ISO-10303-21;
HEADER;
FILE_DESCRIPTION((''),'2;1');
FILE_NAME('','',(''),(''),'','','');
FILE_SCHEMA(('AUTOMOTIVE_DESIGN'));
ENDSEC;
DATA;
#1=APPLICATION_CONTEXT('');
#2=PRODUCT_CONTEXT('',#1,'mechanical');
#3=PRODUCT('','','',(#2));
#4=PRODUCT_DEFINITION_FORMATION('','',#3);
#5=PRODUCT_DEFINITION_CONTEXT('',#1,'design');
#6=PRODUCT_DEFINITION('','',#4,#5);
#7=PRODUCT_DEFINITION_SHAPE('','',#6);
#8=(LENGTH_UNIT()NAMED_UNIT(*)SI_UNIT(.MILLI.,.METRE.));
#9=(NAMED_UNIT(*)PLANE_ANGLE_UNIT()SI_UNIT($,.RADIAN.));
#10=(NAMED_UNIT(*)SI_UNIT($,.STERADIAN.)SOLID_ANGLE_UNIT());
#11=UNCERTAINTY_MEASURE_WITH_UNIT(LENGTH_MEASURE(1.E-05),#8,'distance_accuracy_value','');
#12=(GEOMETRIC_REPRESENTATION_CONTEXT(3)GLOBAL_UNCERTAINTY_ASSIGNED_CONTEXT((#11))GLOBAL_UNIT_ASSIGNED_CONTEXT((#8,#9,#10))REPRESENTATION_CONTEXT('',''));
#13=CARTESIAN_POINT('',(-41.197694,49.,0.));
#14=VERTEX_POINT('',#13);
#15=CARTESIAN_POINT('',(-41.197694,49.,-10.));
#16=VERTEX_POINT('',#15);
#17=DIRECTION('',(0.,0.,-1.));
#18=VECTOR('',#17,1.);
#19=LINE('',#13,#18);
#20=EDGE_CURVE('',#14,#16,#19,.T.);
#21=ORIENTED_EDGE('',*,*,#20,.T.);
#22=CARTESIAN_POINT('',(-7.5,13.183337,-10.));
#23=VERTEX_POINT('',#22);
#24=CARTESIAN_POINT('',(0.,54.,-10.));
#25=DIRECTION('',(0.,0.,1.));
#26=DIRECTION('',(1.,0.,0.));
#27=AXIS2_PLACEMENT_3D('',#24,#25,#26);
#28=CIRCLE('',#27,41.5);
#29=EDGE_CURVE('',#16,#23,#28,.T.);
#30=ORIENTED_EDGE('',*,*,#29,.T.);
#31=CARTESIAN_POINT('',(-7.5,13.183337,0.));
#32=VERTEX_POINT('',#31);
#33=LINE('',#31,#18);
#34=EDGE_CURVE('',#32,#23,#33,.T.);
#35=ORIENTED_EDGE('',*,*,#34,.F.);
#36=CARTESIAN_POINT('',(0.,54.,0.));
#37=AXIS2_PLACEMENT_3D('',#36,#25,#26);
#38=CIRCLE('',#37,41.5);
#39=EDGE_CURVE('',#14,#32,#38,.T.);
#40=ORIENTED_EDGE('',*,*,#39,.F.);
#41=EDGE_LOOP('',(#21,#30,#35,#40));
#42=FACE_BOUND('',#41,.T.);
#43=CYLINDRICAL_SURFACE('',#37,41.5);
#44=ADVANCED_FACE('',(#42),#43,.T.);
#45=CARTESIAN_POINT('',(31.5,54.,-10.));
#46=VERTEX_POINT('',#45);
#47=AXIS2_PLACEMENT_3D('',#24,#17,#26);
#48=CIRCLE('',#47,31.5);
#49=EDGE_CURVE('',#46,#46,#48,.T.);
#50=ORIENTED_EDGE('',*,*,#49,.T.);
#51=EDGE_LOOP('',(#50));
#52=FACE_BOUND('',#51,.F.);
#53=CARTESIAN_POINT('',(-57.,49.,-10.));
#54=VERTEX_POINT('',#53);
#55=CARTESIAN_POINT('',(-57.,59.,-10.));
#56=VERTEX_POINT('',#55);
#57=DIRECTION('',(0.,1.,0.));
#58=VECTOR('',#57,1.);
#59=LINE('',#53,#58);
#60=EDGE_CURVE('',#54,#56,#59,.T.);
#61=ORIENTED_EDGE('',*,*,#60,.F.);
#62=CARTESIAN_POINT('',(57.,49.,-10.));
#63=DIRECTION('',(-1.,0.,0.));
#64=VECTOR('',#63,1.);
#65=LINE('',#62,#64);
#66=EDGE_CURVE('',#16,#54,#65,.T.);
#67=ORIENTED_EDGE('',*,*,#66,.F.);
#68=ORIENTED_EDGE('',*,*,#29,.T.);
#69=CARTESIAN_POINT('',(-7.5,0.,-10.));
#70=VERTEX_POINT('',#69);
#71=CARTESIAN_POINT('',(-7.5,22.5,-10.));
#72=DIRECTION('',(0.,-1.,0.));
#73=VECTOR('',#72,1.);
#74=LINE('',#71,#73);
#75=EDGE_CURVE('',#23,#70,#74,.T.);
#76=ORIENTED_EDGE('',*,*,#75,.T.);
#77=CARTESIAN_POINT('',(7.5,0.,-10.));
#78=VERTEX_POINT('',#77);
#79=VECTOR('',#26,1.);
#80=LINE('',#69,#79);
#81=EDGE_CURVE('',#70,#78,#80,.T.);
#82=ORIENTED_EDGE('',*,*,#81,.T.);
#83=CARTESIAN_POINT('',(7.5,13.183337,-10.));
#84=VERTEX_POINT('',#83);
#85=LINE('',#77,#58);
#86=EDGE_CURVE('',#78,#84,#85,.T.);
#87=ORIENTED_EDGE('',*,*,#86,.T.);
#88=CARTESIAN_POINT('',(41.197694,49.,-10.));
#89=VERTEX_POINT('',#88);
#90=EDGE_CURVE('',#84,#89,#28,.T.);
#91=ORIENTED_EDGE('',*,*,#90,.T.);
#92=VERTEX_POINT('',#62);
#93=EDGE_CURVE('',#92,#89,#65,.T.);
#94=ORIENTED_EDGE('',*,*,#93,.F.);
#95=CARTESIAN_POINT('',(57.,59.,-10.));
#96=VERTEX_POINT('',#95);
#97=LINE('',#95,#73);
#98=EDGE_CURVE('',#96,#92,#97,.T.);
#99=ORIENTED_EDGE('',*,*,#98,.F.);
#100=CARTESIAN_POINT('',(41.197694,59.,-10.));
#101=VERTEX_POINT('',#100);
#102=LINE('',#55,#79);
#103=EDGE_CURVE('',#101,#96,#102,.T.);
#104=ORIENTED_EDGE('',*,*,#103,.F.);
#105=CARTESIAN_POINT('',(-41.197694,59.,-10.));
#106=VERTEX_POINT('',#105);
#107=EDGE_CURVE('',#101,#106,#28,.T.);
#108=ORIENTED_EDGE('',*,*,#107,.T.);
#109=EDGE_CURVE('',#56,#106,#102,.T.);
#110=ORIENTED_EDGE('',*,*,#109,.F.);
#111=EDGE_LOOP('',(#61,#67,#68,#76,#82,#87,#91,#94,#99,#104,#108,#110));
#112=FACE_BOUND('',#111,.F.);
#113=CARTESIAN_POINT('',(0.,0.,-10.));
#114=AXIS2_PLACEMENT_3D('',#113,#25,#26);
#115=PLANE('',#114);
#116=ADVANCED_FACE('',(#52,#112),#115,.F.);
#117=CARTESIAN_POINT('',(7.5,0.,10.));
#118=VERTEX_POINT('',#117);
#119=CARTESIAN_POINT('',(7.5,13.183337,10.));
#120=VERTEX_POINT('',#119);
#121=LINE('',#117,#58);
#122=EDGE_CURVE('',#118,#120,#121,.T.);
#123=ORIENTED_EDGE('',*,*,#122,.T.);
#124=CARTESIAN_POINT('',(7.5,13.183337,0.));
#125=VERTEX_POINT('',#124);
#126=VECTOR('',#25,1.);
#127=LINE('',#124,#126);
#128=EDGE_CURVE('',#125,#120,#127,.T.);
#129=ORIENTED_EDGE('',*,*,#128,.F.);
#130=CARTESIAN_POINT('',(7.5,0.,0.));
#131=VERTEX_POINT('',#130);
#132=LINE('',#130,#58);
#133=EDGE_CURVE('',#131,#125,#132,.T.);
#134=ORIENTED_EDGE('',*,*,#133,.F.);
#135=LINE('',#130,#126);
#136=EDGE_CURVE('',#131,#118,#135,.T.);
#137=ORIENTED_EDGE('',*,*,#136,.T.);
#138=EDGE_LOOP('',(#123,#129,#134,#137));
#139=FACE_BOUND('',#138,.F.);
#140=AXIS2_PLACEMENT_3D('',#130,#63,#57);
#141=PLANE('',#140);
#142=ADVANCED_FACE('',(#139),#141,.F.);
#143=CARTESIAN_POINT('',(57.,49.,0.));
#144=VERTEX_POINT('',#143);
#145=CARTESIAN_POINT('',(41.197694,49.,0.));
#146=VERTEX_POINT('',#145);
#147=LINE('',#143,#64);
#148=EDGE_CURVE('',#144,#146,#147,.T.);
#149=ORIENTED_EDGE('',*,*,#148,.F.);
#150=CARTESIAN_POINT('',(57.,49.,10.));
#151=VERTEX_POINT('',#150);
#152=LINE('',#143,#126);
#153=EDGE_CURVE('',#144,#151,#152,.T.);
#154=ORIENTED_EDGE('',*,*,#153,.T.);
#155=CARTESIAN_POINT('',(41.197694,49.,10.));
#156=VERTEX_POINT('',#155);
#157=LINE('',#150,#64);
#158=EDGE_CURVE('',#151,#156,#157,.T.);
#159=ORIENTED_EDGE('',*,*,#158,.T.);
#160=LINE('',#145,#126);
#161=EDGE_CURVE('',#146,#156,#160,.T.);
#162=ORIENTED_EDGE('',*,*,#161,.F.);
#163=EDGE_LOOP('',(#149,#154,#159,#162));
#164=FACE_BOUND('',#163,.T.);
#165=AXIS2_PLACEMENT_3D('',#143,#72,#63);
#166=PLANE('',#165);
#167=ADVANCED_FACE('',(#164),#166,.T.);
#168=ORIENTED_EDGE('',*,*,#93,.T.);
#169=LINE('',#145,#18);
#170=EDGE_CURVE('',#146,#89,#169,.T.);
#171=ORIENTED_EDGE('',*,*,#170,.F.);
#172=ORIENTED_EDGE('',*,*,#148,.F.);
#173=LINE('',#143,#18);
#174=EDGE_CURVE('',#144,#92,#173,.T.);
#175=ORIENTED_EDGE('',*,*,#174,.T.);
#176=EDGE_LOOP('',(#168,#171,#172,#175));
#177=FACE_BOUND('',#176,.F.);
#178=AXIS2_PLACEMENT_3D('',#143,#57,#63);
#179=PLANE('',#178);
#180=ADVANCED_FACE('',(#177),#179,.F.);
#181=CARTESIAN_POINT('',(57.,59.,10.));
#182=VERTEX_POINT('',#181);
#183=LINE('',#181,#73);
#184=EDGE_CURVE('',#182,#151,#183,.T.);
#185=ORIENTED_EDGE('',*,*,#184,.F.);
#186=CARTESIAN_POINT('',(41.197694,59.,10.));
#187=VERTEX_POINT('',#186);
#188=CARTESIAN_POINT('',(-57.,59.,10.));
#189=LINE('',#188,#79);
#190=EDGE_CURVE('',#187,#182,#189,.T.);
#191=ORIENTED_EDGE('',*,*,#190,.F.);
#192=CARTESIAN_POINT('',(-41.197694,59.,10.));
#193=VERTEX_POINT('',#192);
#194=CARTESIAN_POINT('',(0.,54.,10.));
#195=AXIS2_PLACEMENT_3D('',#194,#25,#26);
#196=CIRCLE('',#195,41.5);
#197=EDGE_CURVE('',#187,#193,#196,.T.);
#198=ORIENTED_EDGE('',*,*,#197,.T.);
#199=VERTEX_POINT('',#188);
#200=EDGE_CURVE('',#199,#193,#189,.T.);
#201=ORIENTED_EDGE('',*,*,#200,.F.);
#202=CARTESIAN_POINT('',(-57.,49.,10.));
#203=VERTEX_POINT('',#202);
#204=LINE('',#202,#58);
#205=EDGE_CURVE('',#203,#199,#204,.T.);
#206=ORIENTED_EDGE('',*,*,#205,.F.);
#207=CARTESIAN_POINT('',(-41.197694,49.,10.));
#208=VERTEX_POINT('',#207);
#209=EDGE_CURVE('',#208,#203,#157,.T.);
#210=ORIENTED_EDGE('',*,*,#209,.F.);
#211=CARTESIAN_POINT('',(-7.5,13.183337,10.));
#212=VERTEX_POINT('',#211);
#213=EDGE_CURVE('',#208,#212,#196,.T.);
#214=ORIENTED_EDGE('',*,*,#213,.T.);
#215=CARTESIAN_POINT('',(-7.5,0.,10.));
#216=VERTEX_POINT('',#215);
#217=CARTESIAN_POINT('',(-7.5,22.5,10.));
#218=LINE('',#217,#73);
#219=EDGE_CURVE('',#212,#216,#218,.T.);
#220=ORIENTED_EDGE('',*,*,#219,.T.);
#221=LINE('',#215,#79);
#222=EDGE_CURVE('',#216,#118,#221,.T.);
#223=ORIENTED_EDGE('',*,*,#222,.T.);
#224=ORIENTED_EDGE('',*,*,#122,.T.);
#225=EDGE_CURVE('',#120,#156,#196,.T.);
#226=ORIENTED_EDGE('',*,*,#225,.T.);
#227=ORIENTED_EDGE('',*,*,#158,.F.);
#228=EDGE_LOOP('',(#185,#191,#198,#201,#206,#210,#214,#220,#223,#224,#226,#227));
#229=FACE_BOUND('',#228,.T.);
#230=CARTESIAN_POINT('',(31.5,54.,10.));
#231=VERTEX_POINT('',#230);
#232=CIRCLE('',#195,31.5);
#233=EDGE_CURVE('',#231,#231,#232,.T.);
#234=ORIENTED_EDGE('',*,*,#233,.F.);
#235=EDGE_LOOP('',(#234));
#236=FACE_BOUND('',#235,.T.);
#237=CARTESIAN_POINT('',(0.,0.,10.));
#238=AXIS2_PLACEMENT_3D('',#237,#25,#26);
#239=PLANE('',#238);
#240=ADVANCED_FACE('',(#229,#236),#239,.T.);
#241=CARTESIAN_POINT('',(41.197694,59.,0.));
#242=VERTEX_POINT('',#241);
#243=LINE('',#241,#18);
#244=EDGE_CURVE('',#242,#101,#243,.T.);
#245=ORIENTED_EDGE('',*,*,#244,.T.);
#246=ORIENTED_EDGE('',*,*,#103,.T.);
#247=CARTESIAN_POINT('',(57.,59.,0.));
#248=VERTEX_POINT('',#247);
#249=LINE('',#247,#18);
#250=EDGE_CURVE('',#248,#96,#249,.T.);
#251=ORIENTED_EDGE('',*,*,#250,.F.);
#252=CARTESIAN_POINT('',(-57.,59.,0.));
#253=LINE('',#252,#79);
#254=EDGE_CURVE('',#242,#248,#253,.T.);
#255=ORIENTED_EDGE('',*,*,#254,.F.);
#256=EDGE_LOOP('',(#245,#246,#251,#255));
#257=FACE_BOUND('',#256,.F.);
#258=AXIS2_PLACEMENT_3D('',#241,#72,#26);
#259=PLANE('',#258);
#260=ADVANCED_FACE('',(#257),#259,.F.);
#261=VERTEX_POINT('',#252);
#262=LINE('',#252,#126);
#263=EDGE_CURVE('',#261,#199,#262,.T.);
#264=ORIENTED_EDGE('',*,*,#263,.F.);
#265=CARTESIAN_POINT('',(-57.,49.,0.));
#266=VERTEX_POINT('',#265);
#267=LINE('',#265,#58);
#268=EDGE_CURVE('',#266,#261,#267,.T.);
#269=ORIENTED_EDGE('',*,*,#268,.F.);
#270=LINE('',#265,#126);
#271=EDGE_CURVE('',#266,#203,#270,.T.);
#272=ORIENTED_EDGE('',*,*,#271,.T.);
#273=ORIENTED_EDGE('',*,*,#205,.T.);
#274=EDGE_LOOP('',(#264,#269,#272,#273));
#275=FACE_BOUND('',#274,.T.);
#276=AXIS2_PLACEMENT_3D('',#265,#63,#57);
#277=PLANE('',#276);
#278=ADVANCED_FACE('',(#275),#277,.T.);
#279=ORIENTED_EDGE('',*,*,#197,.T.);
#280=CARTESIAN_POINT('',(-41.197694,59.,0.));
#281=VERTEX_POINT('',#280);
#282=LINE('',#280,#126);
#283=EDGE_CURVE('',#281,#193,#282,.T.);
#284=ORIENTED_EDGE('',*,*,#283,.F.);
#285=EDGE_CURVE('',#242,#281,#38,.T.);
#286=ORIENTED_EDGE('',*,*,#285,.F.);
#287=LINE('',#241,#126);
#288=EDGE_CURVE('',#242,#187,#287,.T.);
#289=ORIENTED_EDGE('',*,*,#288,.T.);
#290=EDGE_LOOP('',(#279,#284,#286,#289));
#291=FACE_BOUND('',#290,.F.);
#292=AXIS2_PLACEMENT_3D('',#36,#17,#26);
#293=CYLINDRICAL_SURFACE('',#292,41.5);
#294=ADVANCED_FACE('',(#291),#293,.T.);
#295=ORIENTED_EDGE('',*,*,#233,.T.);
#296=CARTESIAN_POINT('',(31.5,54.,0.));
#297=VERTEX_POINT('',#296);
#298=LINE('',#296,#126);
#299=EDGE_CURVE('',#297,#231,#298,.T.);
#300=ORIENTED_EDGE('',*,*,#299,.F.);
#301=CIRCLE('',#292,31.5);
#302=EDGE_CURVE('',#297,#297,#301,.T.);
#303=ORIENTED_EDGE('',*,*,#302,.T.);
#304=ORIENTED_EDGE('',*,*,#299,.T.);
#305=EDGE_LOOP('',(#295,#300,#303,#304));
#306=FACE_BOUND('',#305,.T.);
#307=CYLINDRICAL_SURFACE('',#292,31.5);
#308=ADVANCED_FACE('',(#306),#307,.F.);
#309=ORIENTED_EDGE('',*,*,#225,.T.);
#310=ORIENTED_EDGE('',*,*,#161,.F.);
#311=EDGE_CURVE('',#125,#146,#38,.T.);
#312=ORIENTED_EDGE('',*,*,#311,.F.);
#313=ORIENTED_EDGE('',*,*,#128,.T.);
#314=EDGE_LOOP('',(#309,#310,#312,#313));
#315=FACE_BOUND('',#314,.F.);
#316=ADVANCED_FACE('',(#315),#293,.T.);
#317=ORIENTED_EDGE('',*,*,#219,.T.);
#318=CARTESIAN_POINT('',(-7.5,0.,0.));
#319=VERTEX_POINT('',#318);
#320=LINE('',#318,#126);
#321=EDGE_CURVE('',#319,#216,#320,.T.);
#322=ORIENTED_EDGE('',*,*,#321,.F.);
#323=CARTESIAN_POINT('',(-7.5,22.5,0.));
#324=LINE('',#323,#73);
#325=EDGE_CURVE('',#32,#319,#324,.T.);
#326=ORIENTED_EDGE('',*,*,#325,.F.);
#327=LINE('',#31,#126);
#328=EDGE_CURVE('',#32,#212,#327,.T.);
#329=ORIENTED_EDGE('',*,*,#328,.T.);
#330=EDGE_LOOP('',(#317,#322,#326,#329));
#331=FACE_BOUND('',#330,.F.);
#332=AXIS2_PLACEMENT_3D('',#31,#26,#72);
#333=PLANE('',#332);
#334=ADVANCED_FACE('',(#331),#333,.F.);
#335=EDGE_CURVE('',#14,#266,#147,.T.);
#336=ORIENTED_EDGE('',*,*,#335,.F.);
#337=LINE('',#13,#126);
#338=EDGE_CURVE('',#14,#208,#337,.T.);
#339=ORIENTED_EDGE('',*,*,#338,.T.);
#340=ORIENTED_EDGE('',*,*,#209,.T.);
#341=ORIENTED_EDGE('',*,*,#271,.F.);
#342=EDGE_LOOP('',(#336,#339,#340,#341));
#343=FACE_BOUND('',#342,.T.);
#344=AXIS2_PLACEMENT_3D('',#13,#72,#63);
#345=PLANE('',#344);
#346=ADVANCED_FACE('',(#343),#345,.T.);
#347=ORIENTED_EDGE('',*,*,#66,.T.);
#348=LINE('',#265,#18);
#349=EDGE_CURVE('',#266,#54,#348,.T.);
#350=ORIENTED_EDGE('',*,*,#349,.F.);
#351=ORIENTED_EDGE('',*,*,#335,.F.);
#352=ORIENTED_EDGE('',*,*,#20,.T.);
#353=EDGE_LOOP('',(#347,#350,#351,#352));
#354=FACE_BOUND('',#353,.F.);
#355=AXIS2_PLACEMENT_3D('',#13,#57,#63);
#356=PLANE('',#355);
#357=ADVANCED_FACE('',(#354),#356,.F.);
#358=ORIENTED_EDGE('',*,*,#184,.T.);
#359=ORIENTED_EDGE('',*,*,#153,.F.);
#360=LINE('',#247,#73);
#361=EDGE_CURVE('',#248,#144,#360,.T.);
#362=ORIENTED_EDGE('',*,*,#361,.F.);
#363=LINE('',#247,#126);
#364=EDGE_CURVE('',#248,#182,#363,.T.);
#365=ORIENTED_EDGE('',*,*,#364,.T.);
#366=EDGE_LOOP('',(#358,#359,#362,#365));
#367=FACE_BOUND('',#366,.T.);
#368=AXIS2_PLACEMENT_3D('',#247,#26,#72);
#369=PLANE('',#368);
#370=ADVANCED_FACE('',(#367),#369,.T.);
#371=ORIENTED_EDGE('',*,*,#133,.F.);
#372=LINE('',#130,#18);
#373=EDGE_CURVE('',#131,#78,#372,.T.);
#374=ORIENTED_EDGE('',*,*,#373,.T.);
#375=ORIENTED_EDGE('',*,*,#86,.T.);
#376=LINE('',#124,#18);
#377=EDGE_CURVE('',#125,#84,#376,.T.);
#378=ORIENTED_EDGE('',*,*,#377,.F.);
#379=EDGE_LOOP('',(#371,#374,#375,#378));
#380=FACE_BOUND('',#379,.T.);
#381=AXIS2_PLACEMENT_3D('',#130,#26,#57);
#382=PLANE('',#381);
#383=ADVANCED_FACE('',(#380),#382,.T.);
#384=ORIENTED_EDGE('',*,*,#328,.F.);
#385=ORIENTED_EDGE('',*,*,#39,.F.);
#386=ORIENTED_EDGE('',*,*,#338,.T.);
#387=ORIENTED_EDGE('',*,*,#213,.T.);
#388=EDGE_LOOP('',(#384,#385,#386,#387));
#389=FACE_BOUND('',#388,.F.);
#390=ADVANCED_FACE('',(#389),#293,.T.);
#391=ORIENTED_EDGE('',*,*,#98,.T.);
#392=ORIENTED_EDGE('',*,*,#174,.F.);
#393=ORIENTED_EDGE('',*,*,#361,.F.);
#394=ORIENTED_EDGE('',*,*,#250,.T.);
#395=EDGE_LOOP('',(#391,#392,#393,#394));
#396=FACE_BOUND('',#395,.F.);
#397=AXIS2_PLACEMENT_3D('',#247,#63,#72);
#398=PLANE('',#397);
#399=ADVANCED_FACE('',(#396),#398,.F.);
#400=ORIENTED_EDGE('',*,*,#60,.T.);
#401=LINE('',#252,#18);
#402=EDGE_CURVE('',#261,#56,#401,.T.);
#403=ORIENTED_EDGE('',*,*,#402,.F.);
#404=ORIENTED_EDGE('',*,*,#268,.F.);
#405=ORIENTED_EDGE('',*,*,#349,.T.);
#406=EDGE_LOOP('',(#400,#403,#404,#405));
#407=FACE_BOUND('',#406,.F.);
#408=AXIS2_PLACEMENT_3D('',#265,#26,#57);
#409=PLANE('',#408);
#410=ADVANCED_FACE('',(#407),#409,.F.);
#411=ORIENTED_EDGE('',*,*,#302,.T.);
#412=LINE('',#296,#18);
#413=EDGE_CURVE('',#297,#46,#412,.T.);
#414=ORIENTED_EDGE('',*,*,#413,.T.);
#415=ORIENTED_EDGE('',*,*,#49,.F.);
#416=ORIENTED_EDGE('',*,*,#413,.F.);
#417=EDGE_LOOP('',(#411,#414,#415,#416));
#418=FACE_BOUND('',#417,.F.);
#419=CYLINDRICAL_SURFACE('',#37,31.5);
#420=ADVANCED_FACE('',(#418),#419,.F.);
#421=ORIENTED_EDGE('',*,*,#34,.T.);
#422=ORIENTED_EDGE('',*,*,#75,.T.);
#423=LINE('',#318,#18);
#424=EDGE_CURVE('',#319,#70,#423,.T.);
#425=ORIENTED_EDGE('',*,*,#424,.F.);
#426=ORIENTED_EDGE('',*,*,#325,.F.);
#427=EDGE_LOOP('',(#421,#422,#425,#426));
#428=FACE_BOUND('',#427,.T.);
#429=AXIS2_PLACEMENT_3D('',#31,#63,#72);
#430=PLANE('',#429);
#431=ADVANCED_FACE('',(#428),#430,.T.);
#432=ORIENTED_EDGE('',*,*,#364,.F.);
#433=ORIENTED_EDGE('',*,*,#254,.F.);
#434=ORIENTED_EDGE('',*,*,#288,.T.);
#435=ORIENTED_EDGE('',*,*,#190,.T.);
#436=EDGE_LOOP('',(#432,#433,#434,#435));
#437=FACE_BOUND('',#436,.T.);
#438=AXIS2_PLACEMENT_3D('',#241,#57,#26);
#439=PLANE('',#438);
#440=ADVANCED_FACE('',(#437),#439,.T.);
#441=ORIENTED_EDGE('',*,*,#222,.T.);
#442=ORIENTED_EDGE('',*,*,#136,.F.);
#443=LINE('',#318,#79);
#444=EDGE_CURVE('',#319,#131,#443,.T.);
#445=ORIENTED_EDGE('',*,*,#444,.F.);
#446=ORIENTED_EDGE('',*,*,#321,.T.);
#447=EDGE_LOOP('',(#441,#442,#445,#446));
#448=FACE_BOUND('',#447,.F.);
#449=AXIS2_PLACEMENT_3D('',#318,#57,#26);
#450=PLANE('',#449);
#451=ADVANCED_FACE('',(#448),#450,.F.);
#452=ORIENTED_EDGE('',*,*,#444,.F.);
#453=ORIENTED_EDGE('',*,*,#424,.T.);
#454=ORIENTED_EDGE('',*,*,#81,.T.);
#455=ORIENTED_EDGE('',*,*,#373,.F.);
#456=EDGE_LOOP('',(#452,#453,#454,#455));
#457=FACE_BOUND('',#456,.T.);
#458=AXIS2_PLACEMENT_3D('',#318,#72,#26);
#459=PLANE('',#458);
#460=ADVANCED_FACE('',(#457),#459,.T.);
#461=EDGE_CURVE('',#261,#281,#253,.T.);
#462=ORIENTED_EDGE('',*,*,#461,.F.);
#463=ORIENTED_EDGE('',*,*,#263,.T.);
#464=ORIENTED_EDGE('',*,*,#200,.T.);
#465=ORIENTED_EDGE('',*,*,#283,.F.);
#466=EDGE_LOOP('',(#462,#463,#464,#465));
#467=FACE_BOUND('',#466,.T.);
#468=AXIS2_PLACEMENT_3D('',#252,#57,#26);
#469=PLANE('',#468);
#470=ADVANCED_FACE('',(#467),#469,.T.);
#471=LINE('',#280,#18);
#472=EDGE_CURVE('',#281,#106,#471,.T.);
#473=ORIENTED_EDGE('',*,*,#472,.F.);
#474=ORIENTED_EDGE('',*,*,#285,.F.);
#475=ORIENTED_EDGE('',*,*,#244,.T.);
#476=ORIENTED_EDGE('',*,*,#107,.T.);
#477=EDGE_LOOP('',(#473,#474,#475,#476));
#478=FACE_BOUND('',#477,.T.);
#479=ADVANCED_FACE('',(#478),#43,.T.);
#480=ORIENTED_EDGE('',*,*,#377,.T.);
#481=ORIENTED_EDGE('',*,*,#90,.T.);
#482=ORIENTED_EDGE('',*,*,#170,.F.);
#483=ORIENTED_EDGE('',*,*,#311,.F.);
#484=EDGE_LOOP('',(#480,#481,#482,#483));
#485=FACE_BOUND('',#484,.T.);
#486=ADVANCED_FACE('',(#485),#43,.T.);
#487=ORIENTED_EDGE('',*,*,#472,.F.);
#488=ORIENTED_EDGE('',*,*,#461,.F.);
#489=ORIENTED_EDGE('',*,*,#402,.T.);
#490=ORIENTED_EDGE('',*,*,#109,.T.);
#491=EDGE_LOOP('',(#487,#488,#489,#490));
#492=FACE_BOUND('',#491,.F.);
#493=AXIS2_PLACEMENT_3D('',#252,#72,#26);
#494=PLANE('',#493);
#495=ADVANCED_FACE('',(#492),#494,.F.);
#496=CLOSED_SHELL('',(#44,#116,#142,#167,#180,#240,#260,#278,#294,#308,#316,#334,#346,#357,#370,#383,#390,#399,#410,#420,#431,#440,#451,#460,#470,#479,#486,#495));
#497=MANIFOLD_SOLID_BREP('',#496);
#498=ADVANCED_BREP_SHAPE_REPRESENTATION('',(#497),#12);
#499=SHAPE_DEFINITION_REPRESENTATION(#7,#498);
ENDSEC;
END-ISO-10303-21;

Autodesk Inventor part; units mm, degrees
ref_plane "YZ Plane" through (0, 0, 0) normal (1, 0, 0) x (0, 1, 0)
ref_plane "XZ Plane" through (0, 0, 0) normal (0, 1, 0) x (-1, 0, 0)
ref_plane "XY Plane" through (0, 0, 0) normal (0, 0, 1) x (1, 0, 0)
sketch "Sketch1" plane through (0, 0, 0) normal (0, 0, 1) x (1, 0, 0)
  circle A0 centre (0, 54) radius 31.5
  circle A1 centre (0, 54) radius 41.5
  line L0 (57, 49) -> (-57, 49)
  line L1 (-57, 49) -> (-57, 59)
  line L2 (-57, 59) -> (57, 59)
  line L3 (57, 59) -> (57, 49)
  line L4 (57, 49) -> (-57, 59) construction
  line L5 (-57, 49) -> (57, 59) construction
  line L6 (-7.5, 0) -> (7.5, 0)
  line L7 (7.5, 0) -> (7.5, 22.5)
  line L8 (7.5, 22.5) -> (-7.5, 22.5) construction
  line L9 (-7.5, 22.5) -> (-7.5, 0)
  point P0 (0, 0)
  point P1 (0, 0)
  point P2 (41.1977, 49)
  point P3 (41.1977, 59)
  point P4 (-41.1977, 59)
  point P5 (-41.1977, 49)
  point P6 (-7.5, 13.1833)
  point P7 (7.5, 13.1833)
  dimension "d0" = 54
  dimension "d2" = 10
  dimension "d3" = 63
  dimension "d4" = 10
  dimension "d5" = 114
  dimension "d6" = 15
extrude "Extrusion1" add sketch "Sketch1" along normal mid plane 20 contours A0 L2 A1 L0 | A0 L2 A1 | L0 A1 A0 | A0 L0 A1 L2 | L2 L3 L0 A1 | A1 L0 L1 L2 | L7 L6 L9 A1
equation "\"d4\" = d2"
properties part number "Pipe clamp bracket"
